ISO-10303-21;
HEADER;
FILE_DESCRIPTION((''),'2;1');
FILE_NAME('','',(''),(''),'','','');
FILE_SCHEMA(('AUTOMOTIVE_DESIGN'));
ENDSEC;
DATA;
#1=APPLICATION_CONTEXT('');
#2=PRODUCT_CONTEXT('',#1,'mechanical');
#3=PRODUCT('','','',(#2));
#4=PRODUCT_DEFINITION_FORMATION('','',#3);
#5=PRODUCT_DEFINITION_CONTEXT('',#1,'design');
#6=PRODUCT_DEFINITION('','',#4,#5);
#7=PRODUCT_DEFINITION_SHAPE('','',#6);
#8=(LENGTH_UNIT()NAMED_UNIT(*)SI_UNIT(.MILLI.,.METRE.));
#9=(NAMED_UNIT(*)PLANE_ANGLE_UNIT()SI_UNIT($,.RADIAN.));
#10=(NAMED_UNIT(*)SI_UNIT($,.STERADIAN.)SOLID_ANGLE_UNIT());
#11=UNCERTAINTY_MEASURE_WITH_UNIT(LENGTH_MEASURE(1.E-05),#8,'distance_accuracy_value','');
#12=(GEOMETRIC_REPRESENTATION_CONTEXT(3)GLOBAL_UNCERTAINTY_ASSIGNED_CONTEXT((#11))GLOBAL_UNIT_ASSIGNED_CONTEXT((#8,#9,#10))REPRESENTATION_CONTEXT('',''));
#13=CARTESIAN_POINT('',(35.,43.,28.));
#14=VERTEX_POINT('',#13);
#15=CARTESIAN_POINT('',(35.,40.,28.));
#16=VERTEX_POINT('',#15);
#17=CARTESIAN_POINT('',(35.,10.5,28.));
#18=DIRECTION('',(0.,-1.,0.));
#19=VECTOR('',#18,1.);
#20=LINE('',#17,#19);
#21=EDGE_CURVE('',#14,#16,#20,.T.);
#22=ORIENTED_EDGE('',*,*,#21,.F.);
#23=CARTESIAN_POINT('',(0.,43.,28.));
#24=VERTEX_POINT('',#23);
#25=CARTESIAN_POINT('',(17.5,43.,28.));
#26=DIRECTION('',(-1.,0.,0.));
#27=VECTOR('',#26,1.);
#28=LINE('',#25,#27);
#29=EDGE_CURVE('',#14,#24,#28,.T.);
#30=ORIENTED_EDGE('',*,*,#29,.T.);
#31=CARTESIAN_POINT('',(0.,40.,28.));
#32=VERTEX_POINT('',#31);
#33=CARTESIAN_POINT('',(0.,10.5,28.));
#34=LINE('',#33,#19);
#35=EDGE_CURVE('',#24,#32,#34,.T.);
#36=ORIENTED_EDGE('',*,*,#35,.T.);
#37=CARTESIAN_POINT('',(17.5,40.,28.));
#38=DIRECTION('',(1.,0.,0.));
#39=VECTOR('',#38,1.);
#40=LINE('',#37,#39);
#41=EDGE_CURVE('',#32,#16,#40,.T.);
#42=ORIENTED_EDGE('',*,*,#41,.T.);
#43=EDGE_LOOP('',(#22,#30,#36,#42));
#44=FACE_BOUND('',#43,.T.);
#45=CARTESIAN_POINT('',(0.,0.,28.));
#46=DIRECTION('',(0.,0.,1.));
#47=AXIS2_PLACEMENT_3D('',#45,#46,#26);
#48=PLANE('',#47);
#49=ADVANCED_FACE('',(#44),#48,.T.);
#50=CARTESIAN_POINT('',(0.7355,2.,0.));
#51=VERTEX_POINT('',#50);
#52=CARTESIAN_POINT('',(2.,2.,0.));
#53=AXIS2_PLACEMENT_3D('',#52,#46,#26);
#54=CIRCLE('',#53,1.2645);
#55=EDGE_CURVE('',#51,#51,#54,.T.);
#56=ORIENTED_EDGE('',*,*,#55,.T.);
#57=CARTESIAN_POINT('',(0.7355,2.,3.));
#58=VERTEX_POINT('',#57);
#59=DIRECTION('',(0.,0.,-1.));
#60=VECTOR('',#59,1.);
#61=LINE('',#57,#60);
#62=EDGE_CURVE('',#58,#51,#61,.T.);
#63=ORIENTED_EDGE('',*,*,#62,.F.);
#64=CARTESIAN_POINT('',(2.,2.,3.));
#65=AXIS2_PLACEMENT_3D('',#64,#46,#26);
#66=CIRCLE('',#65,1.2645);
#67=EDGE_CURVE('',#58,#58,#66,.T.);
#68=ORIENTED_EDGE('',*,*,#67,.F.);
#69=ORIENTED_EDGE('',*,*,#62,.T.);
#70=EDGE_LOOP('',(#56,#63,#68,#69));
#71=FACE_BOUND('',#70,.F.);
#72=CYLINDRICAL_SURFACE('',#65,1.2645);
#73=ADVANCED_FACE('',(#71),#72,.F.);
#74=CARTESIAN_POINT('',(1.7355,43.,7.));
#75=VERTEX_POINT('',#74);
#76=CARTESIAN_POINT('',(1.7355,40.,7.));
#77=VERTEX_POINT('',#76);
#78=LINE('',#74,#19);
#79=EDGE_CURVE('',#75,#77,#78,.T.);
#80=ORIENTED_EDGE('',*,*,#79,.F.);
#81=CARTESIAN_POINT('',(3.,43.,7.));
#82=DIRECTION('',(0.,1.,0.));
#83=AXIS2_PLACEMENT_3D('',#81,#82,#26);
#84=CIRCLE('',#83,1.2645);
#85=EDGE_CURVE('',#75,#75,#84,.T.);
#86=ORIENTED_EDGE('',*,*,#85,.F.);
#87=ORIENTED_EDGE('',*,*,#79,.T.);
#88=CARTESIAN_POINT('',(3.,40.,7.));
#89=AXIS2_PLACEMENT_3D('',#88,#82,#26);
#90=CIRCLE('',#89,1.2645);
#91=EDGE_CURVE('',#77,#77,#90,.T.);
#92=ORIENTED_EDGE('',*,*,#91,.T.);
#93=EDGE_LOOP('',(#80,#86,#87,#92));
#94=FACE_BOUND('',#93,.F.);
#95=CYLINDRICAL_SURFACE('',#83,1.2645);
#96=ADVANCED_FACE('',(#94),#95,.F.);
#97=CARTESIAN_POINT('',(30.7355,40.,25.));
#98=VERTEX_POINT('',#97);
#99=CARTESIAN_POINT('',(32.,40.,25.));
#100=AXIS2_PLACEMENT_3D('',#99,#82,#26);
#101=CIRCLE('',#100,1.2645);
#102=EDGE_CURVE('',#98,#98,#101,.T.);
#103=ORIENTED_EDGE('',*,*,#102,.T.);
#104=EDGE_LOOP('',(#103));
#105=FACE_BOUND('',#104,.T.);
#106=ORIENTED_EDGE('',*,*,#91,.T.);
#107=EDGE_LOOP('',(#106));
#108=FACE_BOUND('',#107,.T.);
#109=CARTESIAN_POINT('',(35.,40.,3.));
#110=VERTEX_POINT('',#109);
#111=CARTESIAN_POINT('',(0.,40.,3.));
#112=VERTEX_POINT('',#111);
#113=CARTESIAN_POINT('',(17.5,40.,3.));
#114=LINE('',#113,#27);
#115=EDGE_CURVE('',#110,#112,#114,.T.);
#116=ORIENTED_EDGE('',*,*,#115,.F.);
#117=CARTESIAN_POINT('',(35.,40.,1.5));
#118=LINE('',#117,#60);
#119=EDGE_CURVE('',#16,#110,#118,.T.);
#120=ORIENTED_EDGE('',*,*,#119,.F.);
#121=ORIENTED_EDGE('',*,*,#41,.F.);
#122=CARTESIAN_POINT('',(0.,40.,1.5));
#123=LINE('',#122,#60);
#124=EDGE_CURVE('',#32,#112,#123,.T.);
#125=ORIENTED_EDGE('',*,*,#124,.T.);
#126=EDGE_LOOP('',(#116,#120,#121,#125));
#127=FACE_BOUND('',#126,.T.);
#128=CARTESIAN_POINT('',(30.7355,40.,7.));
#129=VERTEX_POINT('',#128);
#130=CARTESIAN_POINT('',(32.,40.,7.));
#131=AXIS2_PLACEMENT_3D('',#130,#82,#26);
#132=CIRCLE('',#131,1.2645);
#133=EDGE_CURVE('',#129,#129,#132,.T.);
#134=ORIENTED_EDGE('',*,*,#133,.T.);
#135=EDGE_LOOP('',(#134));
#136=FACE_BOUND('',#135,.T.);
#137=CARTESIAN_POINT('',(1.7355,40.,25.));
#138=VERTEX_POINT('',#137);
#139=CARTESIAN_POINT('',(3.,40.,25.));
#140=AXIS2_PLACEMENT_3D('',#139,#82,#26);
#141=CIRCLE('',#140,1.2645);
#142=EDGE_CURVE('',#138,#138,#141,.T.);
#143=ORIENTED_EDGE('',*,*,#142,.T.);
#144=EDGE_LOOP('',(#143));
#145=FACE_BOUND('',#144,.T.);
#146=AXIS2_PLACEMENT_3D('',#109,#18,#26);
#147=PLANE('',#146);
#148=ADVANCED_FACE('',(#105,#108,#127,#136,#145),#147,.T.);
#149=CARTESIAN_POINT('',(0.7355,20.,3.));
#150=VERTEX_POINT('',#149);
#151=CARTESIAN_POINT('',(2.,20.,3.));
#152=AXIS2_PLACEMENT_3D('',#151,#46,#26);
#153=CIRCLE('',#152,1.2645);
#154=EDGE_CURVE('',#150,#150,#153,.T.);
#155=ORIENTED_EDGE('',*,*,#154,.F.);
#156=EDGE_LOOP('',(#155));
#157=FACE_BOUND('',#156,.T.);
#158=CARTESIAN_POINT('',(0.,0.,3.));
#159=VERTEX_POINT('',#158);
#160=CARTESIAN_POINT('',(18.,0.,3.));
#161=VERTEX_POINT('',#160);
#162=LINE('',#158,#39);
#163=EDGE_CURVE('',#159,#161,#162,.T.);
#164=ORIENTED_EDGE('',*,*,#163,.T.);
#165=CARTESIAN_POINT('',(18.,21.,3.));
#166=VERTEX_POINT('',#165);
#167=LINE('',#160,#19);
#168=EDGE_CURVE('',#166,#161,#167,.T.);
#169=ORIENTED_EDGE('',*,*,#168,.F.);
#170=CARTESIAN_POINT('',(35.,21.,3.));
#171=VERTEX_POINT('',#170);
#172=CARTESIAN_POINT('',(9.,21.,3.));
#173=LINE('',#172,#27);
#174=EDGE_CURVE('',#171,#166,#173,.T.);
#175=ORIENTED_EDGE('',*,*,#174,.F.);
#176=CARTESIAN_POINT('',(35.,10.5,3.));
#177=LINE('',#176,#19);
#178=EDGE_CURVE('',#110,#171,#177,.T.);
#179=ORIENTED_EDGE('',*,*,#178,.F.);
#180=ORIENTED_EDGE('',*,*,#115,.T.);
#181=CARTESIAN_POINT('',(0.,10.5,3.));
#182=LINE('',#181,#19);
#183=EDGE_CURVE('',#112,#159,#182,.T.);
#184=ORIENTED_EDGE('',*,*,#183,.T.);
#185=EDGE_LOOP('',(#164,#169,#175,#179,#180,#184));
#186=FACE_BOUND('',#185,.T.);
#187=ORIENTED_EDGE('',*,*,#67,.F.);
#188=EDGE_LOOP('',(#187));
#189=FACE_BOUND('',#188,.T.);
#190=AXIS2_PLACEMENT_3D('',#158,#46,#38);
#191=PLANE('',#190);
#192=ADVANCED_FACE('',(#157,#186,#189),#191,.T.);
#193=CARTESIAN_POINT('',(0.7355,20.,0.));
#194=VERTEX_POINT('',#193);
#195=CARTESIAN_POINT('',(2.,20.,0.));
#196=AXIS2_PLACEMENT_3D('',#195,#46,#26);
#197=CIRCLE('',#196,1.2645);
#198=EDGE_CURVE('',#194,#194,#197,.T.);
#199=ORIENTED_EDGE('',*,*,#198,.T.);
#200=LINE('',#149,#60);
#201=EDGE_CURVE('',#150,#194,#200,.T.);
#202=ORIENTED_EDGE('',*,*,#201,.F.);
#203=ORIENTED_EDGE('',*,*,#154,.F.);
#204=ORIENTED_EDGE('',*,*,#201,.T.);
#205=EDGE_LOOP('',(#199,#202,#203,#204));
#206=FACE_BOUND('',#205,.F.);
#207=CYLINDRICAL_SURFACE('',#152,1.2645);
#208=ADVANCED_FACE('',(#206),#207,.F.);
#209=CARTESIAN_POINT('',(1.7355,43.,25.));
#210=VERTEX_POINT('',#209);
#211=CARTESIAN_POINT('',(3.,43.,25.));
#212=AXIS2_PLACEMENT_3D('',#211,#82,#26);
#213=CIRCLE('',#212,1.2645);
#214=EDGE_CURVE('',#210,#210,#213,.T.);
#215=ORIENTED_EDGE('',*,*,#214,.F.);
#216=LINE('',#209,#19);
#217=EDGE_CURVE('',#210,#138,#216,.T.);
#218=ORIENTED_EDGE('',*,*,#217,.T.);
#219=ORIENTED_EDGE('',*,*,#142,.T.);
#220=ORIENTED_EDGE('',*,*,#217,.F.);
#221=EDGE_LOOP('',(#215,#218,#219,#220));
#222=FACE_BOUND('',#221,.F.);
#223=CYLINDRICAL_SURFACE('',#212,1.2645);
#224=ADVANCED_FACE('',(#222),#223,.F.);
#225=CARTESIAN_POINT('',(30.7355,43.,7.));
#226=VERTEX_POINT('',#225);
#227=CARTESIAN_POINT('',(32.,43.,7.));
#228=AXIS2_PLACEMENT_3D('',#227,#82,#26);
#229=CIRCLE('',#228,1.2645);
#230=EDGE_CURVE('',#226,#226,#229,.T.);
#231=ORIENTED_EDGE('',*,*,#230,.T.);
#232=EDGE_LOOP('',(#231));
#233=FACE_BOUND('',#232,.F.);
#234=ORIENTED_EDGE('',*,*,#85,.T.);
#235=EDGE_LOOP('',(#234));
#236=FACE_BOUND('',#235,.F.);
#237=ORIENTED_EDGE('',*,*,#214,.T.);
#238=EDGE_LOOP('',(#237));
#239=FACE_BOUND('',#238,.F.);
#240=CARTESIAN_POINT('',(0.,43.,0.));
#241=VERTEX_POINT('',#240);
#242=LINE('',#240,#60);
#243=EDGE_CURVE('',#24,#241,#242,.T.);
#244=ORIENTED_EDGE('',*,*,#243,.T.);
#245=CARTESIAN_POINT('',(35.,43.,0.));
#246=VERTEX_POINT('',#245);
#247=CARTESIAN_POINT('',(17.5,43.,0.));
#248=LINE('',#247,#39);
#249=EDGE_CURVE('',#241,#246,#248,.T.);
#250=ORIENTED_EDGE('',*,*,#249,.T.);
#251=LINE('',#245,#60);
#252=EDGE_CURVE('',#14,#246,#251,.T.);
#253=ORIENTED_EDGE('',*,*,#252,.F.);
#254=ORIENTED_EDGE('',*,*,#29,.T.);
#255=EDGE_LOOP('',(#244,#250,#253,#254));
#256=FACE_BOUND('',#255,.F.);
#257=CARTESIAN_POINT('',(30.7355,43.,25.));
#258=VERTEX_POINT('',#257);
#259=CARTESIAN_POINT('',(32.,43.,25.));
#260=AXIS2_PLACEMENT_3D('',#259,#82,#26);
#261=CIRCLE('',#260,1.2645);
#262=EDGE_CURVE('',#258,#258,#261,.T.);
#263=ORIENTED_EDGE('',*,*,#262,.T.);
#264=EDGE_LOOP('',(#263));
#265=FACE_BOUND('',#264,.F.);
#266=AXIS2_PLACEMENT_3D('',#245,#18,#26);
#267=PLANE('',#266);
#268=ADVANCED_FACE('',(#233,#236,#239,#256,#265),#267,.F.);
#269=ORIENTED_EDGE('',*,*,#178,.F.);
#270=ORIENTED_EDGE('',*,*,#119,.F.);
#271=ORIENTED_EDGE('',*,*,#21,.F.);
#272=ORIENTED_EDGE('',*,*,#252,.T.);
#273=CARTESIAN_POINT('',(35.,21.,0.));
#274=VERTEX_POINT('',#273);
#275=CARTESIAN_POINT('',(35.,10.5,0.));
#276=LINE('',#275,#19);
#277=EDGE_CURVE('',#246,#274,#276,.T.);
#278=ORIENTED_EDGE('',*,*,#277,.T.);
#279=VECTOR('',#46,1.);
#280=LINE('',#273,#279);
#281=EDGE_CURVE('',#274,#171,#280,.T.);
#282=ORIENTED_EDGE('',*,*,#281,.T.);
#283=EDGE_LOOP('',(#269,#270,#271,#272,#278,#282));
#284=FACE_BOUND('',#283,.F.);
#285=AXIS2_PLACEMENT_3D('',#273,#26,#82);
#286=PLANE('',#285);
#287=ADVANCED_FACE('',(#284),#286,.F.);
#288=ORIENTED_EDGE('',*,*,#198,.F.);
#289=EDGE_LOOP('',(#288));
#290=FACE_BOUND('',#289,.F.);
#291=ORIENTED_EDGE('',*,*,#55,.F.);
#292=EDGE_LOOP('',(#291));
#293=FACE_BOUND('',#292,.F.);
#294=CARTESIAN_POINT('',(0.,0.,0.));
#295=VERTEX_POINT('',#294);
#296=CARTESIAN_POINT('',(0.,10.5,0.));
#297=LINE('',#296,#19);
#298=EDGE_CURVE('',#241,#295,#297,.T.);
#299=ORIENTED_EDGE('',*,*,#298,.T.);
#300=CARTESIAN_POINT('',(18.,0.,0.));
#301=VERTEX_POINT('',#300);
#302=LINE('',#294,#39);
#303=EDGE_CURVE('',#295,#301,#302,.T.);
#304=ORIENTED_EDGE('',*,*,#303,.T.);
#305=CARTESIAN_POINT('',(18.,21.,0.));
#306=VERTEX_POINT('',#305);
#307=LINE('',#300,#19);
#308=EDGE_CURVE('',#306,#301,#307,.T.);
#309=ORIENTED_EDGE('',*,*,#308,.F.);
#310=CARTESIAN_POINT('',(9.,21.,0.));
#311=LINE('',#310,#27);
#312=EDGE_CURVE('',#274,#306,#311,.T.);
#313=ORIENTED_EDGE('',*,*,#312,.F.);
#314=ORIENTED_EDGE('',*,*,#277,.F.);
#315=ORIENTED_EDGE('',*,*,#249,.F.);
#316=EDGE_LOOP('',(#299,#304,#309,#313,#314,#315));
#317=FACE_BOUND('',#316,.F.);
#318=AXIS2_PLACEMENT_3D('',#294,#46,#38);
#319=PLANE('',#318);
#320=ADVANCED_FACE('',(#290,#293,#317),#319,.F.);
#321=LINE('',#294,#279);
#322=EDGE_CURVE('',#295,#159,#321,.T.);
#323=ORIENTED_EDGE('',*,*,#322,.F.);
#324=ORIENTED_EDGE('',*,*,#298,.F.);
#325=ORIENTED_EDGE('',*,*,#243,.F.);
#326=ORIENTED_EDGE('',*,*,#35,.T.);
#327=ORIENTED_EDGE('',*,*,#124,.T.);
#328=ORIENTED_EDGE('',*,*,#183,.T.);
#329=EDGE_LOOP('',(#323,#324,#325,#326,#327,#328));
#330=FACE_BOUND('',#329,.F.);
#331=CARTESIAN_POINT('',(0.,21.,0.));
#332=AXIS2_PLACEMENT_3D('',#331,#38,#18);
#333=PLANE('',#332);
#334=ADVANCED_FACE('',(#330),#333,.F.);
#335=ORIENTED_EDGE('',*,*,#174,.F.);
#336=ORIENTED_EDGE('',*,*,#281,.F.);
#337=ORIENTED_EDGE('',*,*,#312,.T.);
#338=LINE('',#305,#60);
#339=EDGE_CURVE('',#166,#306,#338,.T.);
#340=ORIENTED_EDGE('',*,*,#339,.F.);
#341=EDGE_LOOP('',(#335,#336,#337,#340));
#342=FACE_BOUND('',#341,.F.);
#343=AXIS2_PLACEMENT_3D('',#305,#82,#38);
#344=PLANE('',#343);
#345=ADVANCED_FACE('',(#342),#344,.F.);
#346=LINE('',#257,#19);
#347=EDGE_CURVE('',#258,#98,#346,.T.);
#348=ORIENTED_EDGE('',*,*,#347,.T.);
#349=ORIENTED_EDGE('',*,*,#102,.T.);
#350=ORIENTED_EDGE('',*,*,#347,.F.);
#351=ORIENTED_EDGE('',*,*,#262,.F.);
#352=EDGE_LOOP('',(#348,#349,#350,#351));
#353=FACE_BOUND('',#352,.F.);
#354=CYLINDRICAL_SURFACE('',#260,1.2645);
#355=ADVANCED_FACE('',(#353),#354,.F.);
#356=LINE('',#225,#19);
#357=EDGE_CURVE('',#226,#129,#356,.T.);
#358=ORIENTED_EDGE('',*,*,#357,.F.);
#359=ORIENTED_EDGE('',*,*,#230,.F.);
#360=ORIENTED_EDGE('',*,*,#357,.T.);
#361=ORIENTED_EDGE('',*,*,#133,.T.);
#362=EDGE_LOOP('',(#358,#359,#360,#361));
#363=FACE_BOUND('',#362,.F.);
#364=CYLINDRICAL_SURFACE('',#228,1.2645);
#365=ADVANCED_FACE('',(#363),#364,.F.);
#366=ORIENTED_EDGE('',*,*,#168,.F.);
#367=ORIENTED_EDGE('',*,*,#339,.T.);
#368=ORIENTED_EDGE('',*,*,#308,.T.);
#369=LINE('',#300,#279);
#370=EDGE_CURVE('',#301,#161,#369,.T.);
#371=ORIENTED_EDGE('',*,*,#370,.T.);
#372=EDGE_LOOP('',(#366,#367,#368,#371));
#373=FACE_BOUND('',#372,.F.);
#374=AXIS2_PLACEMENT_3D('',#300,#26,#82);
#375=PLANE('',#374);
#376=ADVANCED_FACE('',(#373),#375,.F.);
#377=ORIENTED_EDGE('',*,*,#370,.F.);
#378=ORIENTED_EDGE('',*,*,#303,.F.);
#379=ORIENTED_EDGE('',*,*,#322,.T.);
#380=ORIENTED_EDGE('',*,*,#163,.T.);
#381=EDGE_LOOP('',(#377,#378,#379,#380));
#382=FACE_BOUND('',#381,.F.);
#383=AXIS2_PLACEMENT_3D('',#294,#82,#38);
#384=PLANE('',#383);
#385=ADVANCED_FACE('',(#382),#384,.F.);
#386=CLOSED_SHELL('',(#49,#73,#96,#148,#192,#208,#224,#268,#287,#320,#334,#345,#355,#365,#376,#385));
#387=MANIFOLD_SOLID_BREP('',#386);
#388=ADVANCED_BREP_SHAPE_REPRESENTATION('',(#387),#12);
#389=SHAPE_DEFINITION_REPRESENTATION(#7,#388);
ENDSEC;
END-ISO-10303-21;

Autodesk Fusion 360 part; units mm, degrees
sketch "Sketch1" plane through (0, 0, 0) normal (0, 0, 1) x (1, 0, 0)
  line L0 (0, 0) -> (18, 0)
  line L1 (18, 0) -> (18, 21)
  line L2 (18, 21) -> (0, 21)
  line L3 (0, 21) -> (0, 0)
  line L4 (0, 21) -> (35, 21)
  line L5 (35, 21) -> (35, 43)
  line L6 (35, 43) -> (0, 43)
  line L7 (0, 43) -> (0, 21)
  dimension "d1" = 18
  dimension "d2" = 21
  dimension "d18" = 22
extrude "Extrude1" add sketch "Sketch1" along normal blind 3
sketch "Sketch2" plane through (0, 0, 3) normal (0, 0, 1) x (-1, 0, 0)
  line L0 (0, -43) -> (0, 0)
  line L1 (0, 0) -> (-18, 0)
  line L2 (-18, 0) -> (-18, -21)
  line L3 (-18, -21) -> (-35, -21)
  line L4 (-35, -21) -> (-35, -43)
  line L5 (-35, -43) -> (0, -43)
  line L6 (0, -43) -> (-35, -43)
  line L7 (-35, -43) -> (-35, -40)
  line L8 (-35, -40) -> (0, -40)
  line L9 (0, -40) -> (0, -43)
  dimension "d5" = 3
extrude "Extrude2" add sketch "Sketch2" along normal blind 25 contours L0 L4 L5 L6 L7 L8 L9
sketch "Sketch3" plane through (0, 0, 3) normal (0, 0, 1) x (-1, 0, 0)
  line L0 (-35, -40) -> (0, -40)
  line L1 (0, -40) -> (0, 0)
  line L2 (0, 0) -> (-18, 0)
  line L3 (-18, 0) -> (-18, -21)
  line L4 (-18, -21) -> (-35, -21)
  line L5 (-35, -21) -> (-35, -40)
  circle A0 centre (-2, -2) radius 1.5
  circle A1 centre (-2, -20) radius 1.5
  dimension "d8" = 3
  dimension "d9" = 3
extrude "Extrude3" cut sketch "Sketch3" against normal blind 4 contours A0 | A1
sketch "Sketch4" plane through (0, 43, 0) normal (0, 1, 0) x (-1, 0, 0)
  line L0 (-35, 0) -> (0, 0)
  line L1 (0, 0) -> (0, 28)
  line L2 (0, 28) -> (-35, 28)
  line L3 (-35, 28) -> (-35, 0)
  circle A0 centre (-32, 25) radius 1.5
  circle A1 centre (-3, 25) radius 1.5
  circle A2 centre (-3, 7) radius 1.5
  circle A3 centre (-32, 7) radius 1.5
  dimension "d12" = 3
  dimension "d13" = 3
  dimension "d14" = 3
  dimension "d15" = 3
extrude "Extrude4" cut sketch "Sketch4" against normal blind 4 contours A0 | A1 | A2 | A3
thread "Thread1" "ISO Metric profile 3.0 M3x0.5 6H" major diameter 3.086 minor diameter 2.529 pitch 0.5 angle 60 resizes the face on face at (1.5075, 42, 24.8506)
thread "Thread2" "ISO Metric profile 3.0 M3x0.5 6H" major diameter 3.086 minor diameter 2.529 pitch 0.5 angle 60 resizes the face on face at (1.5075, 42, 6.8506)
thread "Thread3" "ISO Metric profile 3.0 M3x0.5 6H" major diameter 3.086 minor diameter 2.529 pitch 0.5 angle 60 resizes the face on face at (32.6843, 42, 23.6652)
thread "Thread4" "ISO Metric profile 3.0 M3x0.5 6H" major diameter 3.086 minor diameter 2.529 pitch 0.5 angle 60 resizes the face on face at (32.6843, 42, 5.6652)
thread "Thread5" "ISO Metric profile 3.0 M3x0.5 6H" major diameter 3.086 minor diameter 2.529 pitch 0.5 angle 60 resizes the face on face at (0.5075, 20.1494, 2)
thread "Thread6" "ISO Metric profile 3.0 M3x0.5 6H" major diameter 3.086 minor diameter 2.529 pitch 0.5 angle 60 resizes the face on face at (0.5075, 2.1494, 2)
